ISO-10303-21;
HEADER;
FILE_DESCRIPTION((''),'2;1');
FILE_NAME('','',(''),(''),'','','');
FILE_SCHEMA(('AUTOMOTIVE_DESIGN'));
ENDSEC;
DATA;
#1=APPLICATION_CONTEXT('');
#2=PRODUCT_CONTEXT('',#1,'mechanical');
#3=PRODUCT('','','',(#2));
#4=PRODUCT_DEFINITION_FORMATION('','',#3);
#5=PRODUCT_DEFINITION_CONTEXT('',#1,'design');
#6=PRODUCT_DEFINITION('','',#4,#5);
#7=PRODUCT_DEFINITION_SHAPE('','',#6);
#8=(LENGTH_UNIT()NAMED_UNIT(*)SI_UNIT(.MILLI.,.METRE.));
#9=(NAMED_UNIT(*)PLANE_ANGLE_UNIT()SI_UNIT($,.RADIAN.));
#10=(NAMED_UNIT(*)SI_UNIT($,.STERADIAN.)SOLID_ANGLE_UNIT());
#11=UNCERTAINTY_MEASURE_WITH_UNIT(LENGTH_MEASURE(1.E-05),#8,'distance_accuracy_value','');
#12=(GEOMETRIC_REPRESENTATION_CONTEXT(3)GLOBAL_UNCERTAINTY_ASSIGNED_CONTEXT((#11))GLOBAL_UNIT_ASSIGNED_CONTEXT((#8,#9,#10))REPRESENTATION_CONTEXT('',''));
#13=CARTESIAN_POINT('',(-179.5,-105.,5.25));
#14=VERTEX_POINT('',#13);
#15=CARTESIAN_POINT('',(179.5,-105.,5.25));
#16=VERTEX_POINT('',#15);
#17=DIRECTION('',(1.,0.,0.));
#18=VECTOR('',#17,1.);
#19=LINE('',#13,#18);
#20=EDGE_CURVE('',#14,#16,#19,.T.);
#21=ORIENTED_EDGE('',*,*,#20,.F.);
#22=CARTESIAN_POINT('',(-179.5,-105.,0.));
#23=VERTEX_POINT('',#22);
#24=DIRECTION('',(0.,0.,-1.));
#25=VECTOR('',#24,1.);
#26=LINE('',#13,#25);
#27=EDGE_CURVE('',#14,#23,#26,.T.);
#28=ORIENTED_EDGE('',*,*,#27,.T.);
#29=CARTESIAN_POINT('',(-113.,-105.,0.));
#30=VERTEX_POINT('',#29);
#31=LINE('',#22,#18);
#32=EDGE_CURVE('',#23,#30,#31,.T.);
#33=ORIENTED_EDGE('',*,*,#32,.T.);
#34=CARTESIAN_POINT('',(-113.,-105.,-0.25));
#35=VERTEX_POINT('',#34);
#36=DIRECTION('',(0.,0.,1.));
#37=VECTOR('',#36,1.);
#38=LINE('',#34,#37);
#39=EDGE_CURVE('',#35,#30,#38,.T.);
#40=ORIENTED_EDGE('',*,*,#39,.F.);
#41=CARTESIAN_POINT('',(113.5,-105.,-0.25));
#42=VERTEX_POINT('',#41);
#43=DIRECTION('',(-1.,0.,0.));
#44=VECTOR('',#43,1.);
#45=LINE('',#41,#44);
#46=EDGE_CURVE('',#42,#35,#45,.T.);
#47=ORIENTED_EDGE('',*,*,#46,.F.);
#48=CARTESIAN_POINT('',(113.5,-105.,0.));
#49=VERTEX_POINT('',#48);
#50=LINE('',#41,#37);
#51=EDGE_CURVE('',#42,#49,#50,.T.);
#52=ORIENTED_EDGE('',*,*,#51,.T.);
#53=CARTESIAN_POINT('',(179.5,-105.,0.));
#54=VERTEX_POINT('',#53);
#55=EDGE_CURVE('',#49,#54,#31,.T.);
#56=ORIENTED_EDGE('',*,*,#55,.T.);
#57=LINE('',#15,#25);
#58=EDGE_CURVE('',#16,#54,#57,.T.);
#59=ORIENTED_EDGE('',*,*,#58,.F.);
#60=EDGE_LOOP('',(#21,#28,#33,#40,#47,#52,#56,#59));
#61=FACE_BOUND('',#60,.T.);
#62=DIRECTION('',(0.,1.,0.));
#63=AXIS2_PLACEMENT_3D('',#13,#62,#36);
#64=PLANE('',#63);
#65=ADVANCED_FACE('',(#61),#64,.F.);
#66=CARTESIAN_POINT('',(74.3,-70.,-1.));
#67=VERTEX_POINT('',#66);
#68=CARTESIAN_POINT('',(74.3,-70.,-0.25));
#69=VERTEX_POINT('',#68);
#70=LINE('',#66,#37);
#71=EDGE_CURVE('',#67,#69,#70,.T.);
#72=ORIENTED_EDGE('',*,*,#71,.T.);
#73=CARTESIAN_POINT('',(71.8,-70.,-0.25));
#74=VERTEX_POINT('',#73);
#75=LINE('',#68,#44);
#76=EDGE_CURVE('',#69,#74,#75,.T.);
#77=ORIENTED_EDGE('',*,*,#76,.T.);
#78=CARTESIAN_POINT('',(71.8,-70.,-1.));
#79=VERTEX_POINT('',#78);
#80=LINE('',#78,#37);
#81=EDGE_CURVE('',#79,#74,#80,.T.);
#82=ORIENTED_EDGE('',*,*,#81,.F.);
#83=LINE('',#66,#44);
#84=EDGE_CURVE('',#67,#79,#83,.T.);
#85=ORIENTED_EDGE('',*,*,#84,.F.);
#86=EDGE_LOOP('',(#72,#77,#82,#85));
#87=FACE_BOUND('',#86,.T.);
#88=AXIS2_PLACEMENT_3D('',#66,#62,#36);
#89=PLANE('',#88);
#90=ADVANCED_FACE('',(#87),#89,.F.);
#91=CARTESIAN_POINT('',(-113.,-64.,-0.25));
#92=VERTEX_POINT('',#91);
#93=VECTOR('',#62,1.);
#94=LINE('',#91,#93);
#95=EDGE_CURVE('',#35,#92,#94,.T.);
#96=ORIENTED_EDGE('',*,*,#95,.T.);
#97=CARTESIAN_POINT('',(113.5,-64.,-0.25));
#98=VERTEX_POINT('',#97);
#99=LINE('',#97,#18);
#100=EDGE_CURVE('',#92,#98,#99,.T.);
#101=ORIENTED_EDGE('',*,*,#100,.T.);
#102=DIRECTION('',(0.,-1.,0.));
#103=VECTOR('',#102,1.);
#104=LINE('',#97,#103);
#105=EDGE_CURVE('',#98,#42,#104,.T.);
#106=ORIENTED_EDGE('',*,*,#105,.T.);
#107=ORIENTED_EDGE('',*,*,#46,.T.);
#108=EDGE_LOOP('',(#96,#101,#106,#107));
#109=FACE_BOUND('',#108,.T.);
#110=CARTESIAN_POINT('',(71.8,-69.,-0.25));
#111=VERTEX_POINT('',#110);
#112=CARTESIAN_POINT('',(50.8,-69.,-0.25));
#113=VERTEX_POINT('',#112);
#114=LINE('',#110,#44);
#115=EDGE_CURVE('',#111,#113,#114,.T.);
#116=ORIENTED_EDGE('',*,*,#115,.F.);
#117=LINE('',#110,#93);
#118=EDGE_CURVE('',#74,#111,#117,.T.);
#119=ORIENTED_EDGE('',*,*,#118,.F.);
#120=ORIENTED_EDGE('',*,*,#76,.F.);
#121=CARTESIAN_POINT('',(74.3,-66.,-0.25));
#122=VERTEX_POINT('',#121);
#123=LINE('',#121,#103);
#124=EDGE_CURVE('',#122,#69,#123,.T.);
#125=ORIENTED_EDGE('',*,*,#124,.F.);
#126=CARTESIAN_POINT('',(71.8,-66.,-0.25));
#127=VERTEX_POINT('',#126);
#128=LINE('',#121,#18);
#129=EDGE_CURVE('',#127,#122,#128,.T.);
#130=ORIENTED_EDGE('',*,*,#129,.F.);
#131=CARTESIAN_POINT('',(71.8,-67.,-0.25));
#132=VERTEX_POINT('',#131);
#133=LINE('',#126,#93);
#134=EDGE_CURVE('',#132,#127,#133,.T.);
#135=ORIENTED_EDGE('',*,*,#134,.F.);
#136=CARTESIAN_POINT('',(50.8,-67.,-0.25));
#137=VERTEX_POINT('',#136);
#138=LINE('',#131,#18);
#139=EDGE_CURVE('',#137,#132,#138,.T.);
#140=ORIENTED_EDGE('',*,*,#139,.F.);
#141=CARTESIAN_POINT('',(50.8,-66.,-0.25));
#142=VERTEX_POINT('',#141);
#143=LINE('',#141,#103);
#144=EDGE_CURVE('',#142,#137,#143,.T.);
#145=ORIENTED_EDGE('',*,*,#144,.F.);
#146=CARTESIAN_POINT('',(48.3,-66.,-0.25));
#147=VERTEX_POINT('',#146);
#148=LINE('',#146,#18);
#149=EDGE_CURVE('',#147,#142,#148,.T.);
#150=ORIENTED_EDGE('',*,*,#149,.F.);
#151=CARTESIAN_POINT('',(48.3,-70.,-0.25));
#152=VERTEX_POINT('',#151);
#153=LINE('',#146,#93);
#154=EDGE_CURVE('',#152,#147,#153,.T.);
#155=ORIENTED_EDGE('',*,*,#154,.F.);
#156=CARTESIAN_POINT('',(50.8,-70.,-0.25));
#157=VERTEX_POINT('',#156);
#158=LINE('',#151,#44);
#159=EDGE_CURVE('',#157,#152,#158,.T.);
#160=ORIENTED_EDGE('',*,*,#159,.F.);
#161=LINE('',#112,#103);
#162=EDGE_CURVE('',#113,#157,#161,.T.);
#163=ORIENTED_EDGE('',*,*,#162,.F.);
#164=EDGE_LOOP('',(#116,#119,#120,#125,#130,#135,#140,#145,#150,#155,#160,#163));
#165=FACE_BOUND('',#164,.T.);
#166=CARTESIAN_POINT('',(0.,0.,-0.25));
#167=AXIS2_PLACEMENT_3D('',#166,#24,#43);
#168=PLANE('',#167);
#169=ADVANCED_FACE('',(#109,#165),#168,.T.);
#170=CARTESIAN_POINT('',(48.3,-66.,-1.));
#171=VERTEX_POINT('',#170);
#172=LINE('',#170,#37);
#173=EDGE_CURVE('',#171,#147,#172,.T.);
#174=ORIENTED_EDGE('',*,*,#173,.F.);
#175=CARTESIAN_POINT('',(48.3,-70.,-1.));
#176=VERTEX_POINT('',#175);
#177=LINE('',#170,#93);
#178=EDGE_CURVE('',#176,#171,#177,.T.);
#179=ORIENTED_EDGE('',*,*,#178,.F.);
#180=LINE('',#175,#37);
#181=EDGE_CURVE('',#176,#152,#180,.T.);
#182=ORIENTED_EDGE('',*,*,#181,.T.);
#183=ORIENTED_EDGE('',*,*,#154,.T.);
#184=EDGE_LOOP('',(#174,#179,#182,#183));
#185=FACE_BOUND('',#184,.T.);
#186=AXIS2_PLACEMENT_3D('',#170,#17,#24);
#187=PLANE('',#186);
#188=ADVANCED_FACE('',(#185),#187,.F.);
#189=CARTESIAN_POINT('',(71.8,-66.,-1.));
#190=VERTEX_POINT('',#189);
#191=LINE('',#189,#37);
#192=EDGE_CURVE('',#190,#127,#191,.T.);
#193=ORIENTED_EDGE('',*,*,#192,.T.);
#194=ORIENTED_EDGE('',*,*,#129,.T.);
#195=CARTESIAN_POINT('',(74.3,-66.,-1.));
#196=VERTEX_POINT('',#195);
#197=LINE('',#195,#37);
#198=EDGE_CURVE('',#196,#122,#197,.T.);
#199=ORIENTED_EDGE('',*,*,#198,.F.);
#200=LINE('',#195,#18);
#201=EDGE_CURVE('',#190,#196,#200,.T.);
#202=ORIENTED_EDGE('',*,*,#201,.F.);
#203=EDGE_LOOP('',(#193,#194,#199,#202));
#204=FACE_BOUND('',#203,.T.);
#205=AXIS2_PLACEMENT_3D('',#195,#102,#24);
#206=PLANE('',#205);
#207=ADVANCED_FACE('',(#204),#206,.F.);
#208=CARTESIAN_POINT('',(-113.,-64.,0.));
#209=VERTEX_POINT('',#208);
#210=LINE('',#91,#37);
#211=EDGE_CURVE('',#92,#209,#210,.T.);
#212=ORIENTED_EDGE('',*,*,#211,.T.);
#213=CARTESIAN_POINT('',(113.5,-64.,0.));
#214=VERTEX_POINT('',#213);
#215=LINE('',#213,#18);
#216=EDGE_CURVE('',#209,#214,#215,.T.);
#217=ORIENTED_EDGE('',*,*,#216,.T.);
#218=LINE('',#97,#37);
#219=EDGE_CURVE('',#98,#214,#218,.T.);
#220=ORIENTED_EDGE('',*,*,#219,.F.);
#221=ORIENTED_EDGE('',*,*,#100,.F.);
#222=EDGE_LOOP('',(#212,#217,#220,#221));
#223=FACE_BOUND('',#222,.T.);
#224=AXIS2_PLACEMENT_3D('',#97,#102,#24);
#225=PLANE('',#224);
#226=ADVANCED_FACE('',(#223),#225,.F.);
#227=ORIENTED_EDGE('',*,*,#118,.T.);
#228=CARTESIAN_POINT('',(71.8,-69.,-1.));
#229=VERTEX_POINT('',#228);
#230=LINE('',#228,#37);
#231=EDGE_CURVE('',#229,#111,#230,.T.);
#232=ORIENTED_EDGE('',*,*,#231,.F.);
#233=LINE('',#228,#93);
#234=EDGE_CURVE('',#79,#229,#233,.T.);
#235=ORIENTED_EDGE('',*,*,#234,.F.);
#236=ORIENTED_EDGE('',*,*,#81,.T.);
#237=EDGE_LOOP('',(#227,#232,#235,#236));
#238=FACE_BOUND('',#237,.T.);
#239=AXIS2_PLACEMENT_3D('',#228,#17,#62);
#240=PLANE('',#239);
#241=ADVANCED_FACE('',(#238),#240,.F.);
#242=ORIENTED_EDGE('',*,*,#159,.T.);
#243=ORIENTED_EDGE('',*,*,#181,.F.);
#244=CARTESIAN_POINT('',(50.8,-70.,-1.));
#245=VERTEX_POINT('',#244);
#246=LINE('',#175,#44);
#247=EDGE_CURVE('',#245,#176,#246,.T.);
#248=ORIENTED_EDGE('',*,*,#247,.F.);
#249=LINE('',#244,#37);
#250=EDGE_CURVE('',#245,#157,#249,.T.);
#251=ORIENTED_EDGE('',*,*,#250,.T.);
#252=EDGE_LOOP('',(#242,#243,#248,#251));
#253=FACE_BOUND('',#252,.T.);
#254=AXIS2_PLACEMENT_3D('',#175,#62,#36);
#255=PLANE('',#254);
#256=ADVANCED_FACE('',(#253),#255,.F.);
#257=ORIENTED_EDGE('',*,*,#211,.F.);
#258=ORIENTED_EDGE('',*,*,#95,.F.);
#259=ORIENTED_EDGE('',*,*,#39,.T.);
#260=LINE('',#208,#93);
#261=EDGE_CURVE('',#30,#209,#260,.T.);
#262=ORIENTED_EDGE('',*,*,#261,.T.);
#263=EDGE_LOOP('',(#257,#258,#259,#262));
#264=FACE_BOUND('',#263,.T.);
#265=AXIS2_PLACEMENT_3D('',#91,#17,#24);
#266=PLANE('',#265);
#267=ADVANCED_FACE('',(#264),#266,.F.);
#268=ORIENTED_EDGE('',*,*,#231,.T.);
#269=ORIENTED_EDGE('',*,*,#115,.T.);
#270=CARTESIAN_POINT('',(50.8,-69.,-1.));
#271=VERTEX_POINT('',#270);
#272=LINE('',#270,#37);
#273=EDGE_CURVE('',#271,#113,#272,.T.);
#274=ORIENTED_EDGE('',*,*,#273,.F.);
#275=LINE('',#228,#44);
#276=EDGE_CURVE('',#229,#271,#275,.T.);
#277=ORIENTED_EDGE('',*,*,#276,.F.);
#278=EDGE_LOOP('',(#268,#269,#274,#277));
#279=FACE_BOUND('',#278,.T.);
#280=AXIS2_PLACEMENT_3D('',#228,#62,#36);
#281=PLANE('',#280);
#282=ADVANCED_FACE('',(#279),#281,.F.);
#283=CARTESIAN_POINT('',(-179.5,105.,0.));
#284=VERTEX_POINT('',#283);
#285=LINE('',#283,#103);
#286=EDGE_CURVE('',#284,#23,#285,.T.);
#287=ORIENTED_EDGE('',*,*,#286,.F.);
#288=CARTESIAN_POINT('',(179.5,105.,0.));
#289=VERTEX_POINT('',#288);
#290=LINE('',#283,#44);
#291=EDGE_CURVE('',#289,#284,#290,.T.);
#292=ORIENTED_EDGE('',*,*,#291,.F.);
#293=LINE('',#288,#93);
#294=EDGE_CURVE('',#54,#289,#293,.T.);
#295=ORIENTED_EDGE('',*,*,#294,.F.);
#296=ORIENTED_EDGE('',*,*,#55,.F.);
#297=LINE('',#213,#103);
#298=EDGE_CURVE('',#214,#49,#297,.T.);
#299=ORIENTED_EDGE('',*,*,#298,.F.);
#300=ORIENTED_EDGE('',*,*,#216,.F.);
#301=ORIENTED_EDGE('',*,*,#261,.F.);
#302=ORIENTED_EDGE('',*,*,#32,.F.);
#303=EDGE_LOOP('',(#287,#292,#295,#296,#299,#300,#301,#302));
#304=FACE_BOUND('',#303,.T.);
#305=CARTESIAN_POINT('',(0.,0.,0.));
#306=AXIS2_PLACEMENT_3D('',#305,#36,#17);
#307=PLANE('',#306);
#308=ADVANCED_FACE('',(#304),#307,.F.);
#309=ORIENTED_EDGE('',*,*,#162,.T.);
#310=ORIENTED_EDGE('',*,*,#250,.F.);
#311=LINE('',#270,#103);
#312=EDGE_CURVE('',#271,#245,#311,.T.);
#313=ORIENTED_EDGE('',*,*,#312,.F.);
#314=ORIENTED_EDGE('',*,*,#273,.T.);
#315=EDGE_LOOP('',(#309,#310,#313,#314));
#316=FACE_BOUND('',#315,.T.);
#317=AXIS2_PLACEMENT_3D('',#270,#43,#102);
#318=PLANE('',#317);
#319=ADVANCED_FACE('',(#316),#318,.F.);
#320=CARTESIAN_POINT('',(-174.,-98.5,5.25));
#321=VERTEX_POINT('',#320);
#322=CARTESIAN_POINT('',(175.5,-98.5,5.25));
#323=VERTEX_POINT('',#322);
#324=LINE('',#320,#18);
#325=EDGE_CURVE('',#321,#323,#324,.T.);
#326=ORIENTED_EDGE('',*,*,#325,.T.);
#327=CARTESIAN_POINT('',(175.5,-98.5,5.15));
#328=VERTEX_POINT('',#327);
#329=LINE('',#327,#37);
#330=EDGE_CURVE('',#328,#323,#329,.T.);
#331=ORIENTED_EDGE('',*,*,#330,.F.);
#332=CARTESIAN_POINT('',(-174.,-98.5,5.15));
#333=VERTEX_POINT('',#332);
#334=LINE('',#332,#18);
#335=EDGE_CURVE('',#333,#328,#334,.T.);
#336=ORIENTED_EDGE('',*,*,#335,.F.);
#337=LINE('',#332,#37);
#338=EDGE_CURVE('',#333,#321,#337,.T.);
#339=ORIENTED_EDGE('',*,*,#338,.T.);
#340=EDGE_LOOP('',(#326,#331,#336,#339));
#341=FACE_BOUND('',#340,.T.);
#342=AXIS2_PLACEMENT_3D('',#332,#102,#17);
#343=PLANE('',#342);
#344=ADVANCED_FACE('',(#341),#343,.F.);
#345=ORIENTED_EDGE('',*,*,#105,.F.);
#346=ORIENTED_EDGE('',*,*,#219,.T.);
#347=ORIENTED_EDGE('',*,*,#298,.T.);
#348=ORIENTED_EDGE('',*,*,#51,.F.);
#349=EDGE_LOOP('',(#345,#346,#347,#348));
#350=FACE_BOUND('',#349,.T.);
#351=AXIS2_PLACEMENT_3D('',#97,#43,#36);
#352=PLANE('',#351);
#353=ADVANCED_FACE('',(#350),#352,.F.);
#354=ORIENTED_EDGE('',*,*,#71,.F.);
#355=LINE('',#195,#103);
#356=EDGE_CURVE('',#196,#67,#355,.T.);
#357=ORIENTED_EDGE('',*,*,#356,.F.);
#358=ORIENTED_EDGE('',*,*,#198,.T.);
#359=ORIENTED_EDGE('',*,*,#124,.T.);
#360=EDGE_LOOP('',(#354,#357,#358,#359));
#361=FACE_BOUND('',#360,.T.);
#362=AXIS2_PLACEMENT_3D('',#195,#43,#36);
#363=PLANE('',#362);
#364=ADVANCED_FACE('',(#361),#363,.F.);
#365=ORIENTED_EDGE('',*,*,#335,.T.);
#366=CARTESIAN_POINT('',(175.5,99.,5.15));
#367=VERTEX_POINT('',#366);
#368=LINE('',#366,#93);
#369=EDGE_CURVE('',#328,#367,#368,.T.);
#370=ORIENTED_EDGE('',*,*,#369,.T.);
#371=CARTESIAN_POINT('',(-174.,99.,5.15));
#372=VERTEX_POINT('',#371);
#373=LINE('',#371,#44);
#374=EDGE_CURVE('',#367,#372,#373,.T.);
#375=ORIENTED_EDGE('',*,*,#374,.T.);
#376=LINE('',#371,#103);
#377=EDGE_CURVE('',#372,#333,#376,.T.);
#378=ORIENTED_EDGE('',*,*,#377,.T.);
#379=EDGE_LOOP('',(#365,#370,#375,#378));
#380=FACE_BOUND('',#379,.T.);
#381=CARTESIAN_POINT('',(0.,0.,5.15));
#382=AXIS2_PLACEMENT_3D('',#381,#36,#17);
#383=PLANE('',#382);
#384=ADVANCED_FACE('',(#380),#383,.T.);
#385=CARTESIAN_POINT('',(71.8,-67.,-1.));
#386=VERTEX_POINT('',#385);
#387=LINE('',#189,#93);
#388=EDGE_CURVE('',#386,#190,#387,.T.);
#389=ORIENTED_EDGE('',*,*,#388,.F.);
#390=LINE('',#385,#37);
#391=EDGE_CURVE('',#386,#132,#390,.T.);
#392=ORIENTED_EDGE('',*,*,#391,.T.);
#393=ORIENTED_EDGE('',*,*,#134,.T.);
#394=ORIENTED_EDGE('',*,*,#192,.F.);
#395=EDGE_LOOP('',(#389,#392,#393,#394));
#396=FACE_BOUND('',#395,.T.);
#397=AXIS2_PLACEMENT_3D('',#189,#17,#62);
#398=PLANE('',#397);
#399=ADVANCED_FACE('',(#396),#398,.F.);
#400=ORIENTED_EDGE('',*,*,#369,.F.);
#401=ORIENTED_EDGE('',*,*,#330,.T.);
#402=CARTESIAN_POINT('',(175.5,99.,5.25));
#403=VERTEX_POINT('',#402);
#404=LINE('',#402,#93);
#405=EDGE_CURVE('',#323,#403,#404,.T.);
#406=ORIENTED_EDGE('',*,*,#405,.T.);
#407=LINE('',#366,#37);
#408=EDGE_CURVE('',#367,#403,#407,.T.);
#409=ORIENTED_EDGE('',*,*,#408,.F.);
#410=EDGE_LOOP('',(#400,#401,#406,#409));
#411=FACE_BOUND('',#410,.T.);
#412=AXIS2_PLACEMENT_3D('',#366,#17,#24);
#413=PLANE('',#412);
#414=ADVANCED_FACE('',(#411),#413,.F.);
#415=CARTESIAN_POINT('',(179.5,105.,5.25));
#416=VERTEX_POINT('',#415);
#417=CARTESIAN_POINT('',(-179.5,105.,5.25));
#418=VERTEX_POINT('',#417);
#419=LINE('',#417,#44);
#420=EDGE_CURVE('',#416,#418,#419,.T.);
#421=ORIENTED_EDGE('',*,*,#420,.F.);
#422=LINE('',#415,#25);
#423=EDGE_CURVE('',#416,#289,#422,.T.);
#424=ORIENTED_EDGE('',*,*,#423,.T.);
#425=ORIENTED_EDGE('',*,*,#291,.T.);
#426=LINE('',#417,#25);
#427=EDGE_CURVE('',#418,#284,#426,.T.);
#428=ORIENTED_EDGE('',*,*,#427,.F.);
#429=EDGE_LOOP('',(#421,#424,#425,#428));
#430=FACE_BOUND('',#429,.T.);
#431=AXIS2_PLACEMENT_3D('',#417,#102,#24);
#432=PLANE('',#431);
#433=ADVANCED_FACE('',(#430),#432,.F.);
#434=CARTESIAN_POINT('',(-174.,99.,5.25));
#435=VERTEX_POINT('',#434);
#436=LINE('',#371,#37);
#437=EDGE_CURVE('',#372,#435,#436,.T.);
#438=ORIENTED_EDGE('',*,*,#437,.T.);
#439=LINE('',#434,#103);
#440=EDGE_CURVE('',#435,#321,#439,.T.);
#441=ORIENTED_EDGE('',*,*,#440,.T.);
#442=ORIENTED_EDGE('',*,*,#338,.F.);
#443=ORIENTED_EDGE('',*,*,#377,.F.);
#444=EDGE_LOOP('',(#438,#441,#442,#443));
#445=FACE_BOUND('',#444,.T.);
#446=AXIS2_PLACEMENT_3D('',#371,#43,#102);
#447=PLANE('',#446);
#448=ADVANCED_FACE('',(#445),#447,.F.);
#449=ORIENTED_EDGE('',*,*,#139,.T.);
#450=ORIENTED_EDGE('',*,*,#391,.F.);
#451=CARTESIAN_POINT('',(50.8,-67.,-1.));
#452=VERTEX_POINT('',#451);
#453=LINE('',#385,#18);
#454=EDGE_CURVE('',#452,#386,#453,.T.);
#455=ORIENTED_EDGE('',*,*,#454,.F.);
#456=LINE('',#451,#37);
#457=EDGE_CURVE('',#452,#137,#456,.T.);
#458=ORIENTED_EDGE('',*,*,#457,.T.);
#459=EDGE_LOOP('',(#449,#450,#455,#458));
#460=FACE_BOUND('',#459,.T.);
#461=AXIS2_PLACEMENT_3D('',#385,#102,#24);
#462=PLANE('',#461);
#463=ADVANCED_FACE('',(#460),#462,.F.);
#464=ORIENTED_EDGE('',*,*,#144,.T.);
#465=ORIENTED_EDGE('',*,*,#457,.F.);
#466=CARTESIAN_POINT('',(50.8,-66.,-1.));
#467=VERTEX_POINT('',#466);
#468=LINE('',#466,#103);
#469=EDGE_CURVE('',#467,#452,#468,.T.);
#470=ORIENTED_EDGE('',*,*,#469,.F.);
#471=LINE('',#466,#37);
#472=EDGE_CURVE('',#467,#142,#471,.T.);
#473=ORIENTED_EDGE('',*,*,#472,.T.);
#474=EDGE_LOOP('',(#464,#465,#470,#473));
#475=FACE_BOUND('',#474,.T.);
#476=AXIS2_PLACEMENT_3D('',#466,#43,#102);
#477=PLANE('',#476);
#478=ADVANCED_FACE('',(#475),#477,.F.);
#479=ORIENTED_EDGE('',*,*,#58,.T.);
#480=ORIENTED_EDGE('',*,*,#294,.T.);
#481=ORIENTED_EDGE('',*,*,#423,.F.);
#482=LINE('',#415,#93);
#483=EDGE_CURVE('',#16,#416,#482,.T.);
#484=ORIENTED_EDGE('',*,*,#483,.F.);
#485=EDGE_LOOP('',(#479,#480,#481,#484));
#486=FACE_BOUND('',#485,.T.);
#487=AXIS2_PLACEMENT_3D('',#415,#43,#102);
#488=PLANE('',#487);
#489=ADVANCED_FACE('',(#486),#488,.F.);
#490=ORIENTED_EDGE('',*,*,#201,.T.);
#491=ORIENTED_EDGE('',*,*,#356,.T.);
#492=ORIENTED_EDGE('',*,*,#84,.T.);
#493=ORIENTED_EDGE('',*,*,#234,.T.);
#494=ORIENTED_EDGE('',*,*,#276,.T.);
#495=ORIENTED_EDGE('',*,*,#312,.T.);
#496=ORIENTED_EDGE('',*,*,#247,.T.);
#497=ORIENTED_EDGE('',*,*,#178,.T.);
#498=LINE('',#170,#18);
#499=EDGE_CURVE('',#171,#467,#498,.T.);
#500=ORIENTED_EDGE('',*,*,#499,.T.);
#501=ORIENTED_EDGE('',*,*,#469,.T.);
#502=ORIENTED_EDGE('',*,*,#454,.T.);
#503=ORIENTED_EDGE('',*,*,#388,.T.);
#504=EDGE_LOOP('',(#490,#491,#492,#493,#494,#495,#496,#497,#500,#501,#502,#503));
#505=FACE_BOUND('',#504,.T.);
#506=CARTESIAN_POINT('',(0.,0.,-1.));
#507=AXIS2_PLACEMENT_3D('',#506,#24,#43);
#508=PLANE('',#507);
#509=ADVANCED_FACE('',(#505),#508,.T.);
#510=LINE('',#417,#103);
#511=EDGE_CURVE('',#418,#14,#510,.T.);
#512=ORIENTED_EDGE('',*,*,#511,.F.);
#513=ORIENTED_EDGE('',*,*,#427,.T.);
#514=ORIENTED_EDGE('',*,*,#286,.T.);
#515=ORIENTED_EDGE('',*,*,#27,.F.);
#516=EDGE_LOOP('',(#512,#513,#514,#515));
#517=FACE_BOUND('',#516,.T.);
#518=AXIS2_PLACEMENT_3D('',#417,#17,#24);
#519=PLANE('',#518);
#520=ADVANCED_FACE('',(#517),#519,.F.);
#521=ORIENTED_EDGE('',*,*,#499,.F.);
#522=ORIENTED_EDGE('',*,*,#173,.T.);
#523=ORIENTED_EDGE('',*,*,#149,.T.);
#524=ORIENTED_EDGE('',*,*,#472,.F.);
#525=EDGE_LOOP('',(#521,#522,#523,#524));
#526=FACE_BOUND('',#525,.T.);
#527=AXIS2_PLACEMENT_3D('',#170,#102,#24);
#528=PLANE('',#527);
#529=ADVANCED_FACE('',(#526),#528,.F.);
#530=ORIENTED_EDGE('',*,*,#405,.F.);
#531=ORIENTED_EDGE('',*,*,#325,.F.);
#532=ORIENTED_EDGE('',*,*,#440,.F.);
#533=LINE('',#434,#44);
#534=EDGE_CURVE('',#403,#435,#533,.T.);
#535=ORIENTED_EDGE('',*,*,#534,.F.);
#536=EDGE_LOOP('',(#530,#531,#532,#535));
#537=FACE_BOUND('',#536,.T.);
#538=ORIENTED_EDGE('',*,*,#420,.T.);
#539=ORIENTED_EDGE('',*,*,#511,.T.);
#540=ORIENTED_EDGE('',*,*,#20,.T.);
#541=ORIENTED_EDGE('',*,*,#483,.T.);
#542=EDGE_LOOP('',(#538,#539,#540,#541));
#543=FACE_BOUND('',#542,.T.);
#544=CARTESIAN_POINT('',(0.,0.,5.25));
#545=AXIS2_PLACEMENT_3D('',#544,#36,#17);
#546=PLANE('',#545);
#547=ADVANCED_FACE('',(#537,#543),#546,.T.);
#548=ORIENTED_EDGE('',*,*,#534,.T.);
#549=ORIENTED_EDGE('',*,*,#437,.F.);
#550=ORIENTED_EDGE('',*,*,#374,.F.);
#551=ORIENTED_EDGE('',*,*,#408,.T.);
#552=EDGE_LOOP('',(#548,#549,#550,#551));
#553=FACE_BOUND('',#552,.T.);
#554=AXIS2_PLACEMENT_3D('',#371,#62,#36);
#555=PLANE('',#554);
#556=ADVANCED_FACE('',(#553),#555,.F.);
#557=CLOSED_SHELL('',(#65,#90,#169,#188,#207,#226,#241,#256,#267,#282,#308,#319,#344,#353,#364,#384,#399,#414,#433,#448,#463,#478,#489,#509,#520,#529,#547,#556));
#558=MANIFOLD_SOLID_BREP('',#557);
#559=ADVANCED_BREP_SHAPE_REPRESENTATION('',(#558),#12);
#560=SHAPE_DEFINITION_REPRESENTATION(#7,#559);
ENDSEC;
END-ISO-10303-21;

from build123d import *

# Parameters (mm, degrees)
SKETCH2_W           = 359
SKETCH2_H           = 210
BOSS_EXTRUDE1_DEPTH = 5.25
SKETCH3_W           = 349.5
SKETCH3_H           = 197.5
CUT_EXTRUDE1_DEPTH  = 0.1
BOSS_EXTRUDE2_DEPTH = 1
SKETCH5_W           = 226.5
SKETCH5_H           = 41
BOSS_EXTRUDE3_DEPTH = 0.25


with BuildPart() as part:
    # Sketch2 → Boss-Extrude1 (new body)
    with BuildSketch(Plane.XY):
        Rectangle(SKETCH2_W, SKETCH2_H)
    extrude(amount=BOSS_EXTRUDE1_DEPTH)

    # Sketch3 → Cut-Extrude1 (cut)
    with BuildSketch(Plane.XY.offset(5.25)):
        with Locations((0.75, 0.25)):
            Rectangle(SKETCH3_W, SKETCH3_H)
    extrude(amount=-CUT_EXTRUDE1_DEPTH, mode=Mode.SUBTRACT)

    # Sketch4 → Boss-Extrude2 (add)
    with BuildSketch(Plane(origin=(0, 0, 0), x_dir=(-1, 0, 0), z_dir=(0, 0, -1))):
        Polygon((-71.8, -69), (-71.8, -70), (-74.3, -70), (-74.3, -66), (-71.8, -66), (-71.8, -67), (-50.8, -67), (-50.8, -66), (-48.3, -66), (-48.3, -70), (-50.8, -70), (-50.8, -69), align=None)
    extrude(amount=BOSS_EXTRUDE2_DEPTH)

    # Sketch5 → Boss-Extrude3 (add)
    with BuildSketch(Plane(origin=(0, 0, 0), x_dir=(-1, 0, 0), z_dir=(0, 0, -1))):
        with Locations((-0.25, -84.5)):
            Rectangle(SKETCH5_W, SKETCH5_H)
    extrude(amount=BOSS_EXTRUDE3_DEPTH)


solid = part.part
